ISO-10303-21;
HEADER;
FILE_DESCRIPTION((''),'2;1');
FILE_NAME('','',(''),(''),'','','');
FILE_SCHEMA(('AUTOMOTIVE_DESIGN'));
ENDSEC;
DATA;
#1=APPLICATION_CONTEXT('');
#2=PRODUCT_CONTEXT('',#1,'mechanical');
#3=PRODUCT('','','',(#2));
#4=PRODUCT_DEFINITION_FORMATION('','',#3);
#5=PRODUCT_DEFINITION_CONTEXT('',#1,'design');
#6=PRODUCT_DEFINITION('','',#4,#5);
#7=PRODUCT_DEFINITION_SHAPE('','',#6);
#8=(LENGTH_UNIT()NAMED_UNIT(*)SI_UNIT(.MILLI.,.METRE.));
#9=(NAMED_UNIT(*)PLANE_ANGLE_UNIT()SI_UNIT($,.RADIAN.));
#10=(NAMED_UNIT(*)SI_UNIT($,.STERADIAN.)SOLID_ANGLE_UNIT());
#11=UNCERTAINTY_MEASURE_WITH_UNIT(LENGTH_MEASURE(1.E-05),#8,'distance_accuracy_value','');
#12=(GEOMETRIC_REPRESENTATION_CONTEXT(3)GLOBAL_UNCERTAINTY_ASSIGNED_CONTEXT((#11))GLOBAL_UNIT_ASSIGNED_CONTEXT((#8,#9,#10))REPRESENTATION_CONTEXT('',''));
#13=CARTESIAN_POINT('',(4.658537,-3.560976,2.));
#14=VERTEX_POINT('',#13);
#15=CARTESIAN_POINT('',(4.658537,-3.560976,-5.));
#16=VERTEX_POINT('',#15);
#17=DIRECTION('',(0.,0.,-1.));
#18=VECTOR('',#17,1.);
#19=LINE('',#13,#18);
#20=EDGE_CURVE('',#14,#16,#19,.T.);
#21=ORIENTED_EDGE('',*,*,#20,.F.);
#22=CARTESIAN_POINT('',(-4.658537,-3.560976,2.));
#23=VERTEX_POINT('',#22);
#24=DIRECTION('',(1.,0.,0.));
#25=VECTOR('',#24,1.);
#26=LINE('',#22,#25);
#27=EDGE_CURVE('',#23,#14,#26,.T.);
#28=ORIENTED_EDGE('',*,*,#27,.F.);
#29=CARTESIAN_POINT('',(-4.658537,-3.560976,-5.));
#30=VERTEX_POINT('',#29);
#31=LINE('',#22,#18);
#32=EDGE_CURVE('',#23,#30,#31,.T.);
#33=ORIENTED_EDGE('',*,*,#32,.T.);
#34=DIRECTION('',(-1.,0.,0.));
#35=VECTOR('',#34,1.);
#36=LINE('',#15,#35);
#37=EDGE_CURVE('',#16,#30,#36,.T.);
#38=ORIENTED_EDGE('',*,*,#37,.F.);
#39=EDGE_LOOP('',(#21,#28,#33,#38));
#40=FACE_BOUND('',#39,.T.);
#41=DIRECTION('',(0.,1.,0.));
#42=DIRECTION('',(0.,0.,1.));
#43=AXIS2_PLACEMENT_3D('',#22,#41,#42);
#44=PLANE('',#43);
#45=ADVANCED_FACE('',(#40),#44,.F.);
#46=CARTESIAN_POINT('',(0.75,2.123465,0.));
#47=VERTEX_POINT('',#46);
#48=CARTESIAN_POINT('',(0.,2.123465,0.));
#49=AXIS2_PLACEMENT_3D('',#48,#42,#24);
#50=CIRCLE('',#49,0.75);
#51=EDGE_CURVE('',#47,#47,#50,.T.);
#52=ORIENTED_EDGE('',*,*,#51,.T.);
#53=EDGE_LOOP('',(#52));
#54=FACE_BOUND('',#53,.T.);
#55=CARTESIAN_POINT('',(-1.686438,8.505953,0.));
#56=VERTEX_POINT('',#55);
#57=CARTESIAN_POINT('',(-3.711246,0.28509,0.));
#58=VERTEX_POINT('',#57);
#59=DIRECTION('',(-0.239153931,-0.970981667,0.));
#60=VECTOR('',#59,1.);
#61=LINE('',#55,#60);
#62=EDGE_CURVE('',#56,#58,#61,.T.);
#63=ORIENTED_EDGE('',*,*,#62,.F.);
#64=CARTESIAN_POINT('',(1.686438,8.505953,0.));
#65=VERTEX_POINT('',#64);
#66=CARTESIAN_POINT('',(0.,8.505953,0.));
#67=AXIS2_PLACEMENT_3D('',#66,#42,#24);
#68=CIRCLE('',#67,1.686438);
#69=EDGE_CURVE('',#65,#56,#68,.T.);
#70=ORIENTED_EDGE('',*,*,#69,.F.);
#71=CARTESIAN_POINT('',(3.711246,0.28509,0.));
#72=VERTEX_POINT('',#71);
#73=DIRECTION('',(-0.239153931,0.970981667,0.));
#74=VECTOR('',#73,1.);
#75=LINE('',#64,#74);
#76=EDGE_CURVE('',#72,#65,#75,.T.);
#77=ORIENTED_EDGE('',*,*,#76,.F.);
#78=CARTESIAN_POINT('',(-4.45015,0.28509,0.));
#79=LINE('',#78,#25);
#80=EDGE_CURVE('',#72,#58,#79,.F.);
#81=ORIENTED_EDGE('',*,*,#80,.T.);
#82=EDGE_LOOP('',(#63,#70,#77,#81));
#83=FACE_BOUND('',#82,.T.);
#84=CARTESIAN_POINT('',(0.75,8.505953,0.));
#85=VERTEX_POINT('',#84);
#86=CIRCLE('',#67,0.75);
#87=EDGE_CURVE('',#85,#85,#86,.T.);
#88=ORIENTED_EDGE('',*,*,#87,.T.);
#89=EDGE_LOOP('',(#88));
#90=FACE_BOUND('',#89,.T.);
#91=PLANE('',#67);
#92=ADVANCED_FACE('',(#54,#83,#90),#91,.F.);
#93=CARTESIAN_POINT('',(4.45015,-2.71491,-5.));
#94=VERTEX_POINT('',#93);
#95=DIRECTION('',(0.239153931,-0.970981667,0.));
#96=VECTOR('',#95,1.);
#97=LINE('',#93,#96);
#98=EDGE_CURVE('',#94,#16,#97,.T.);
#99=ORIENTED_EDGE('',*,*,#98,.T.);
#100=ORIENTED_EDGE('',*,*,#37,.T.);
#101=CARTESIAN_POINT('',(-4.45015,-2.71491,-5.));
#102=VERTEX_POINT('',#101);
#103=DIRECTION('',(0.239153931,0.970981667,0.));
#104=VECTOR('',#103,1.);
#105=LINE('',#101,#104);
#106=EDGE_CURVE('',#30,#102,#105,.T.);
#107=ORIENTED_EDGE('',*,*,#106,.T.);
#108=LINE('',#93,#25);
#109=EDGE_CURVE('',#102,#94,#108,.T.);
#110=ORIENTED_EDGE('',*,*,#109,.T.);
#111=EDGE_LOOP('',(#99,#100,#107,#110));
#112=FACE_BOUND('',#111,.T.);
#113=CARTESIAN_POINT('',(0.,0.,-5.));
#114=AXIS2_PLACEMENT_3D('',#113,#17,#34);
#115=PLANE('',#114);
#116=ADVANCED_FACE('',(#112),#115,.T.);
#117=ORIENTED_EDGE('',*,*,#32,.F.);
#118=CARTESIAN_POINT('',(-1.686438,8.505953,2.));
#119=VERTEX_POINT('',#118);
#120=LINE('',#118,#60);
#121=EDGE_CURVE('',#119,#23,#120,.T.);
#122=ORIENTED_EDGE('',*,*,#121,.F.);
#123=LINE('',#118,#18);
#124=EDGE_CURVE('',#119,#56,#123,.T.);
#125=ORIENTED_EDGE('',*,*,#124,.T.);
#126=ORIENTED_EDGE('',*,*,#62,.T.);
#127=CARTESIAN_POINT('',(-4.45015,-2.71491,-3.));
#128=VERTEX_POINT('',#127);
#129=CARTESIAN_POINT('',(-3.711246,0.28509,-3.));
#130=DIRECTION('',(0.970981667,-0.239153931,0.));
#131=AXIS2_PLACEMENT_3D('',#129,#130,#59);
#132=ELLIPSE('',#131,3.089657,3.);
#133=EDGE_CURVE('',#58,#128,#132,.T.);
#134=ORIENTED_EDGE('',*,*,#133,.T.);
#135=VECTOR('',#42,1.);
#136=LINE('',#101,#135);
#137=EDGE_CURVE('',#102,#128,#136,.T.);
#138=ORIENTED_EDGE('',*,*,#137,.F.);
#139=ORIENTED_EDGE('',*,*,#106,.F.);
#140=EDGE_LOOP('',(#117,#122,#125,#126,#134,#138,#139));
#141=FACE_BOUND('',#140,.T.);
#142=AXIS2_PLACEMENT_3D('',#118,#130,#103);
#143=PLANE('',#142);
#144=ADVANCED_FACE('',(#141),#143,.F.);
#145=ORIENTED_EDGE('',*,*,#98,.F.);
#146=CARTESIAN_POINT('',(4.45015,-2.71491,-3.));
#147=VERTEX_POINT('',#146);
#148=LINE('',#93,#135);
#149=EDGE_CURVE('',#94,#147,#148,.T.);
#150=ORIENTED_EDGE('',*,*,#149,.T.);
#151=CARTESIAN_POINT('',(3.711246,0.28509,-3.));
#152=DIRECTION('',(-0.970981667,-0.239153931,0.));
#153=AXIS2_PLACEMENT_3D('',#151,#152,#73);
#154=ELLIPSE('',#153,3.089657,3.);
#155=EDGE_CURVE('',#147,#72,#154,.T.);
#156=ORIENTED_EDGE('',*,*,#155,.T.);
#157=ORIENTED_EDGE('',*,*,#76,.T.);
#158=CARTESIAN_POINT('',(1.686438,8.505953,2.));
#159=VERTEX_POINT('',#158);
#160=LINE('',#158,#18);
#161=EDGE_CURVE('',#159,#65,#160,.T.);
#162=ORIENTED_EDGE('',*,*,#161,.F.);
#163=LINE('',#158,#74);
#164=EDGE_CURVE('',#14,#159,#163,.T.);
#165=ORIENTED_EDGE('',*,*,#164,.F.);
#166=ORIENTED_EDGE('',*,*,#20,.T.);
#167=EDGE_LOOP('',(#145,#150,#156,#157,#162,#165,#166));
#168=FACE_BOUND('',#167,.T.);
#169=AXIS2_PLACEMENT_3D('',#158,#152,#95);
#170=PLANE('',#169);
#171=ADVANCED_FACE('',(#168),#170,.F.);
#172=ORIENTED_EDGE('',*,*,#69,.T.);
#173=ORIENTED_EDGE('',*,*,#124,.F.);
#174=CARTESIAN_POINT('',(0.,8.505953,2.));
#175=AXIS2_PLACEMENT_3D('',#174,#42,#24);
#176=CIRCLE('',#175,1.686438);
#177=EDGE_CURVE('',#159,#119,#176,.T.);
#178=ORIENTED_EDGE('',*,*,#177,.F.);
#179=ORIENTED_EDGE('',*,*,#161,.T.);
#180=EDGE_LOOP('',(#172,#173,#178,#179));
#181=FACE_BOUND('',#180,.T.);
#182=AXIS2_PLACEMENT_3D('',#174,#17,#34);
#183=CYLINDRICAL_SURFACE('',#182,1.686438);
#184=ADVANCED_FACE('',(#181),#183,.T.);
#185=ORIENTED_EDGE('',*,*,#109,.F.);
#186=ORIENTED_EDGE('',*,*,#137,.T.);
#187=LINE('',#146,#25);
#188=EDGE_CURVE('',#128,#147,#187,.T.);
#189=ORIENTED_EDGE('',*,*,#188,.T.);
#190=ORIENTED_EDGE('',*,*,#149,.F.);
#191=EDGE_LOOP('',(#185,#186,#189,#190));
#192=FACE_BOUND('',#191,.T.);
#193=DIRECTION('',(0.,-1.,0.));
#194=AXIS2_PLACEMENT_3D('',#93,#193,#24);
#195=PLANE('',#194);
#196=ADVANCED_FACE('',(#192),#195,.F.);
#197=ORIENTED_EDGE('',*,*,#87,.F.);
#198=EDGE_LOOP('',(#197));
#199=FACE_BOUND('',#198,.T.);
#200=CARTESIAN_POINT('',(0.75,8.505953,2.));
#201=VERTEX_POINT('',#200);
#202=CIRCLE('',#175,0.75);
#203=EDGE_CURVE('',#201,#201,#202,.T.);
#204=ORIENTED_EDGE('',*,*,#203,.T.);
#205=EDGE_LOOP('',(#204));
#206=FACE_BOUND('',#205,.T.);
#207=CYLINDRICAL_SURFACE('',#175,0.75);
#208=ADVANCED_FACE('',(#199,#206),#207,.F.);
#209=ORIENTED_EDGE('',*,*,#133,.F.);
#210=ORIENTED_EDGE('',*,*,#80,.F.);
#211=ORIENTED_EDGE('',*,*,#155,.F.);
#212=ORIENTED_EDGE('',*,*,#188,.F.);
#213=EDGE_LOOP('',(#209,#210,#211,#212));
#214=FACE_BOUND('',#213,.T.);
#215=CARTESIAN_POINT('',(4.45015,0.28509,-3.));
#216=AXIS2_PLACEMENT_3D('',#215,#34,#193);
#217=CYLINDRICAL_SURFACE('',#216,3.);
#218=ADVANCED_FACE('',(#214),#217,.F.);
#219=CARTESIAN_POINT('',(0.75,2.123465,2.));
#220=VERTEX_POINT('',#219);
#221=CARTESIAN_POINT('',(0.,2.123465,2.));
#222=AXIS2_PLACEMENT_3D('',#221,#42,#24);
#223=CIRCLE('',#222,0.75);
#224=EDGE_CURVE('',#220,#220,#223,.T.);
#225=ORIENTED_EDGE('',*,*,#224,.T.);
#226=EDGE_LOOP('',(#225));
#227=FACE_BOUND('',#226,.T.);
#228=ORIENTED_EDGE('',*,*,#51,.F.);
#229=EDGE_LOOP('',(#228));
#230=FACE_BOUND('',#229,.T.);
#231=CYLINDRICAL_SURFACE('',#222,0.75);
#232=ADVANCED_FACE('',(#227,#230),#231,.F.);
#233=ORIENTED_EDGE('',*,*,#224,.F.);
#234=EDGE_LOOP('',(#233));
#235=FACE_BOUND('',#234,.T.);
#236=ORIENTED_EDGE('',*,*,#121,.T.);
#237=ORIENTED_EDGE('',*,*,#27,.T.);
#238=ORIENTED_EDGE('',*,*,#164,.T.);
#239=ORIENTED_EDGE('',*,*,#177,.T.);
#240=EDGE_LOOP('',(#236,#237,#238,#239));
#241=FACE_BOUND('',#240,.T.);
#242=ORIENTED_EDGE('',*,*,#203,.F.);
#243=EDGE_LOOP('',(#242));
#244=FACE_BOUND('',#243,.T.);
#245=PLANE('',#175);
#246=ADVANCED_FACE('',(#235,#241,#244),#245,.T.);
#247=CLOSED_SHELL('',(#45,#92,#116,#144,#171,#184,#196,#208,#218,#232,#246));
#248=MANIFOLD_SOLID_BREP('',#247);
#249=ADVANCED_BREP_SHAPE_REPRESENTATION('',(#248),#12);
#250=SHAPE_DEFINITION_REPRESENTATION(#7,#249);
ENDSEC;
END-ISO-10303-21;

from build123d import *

# Parameters (mm, degrees)
BOSS_EXTRUDE1_DEPTH   = 2
BOSS_EXTRUDE2_DEPTH   = 5
FILLET1_R             = 3
F_1_5MM_DOWEL_HOLE1_D = 1.5


with BuildPart() as part:
    # Sketch1 → Boss-Extrude1 (new body)
    with BuildSketch(Plane.XY):
        with BuildLine():
            Line((-1.686437718, 8.505953435), (-4.658536585, -3.56097561))
            Line((-4.658536585, -3.56097561), (4.658536585, -3.56097561))
            Line((4.658536585, -3.56097561), (1.686437718, 8.505953435))
            ThreePointArc((1.686437718, 8.505953435), (0, 10.192391153), (-1.686437718, 8.505953435))
        make_face()
    extrude(amount=BOSS_EXTRUDE1_DEPTH)

    # Sketch2 → Boss-Extrude2 (add)
    with BuildSketch(Plane(origin=(0, 0, 0), x_dir=(-1, 0, 0), z_dir=(0, 0, -1))):
        Polygon((-4.450149656, -2.714910119), (4.450149656, -2.714910119), (4.658536585, -3.56097561), (-4.658536585, -3.56097561), align=None)
    extrude(amount=BOSS_EXTRUDE2_DEPTH)

    # Fillet1
    fillet1_edges = [part.edges().sort_by_distance(p)[0] for p in [
        (0, -2.714910119, 0),
    ]]
    fillet(fillet1_edges, radius=FILLET1_R)

    # Ø1.5mm Dowel Hole1 (through all)
    with Locations(Plane.XY.offset(2)):
        with Locations((0, 8.505953435), (0, 2.123465087)):
            Hole(F_1_5MM_DOWEL_HOLE1_D / 2)


solid = part.part
